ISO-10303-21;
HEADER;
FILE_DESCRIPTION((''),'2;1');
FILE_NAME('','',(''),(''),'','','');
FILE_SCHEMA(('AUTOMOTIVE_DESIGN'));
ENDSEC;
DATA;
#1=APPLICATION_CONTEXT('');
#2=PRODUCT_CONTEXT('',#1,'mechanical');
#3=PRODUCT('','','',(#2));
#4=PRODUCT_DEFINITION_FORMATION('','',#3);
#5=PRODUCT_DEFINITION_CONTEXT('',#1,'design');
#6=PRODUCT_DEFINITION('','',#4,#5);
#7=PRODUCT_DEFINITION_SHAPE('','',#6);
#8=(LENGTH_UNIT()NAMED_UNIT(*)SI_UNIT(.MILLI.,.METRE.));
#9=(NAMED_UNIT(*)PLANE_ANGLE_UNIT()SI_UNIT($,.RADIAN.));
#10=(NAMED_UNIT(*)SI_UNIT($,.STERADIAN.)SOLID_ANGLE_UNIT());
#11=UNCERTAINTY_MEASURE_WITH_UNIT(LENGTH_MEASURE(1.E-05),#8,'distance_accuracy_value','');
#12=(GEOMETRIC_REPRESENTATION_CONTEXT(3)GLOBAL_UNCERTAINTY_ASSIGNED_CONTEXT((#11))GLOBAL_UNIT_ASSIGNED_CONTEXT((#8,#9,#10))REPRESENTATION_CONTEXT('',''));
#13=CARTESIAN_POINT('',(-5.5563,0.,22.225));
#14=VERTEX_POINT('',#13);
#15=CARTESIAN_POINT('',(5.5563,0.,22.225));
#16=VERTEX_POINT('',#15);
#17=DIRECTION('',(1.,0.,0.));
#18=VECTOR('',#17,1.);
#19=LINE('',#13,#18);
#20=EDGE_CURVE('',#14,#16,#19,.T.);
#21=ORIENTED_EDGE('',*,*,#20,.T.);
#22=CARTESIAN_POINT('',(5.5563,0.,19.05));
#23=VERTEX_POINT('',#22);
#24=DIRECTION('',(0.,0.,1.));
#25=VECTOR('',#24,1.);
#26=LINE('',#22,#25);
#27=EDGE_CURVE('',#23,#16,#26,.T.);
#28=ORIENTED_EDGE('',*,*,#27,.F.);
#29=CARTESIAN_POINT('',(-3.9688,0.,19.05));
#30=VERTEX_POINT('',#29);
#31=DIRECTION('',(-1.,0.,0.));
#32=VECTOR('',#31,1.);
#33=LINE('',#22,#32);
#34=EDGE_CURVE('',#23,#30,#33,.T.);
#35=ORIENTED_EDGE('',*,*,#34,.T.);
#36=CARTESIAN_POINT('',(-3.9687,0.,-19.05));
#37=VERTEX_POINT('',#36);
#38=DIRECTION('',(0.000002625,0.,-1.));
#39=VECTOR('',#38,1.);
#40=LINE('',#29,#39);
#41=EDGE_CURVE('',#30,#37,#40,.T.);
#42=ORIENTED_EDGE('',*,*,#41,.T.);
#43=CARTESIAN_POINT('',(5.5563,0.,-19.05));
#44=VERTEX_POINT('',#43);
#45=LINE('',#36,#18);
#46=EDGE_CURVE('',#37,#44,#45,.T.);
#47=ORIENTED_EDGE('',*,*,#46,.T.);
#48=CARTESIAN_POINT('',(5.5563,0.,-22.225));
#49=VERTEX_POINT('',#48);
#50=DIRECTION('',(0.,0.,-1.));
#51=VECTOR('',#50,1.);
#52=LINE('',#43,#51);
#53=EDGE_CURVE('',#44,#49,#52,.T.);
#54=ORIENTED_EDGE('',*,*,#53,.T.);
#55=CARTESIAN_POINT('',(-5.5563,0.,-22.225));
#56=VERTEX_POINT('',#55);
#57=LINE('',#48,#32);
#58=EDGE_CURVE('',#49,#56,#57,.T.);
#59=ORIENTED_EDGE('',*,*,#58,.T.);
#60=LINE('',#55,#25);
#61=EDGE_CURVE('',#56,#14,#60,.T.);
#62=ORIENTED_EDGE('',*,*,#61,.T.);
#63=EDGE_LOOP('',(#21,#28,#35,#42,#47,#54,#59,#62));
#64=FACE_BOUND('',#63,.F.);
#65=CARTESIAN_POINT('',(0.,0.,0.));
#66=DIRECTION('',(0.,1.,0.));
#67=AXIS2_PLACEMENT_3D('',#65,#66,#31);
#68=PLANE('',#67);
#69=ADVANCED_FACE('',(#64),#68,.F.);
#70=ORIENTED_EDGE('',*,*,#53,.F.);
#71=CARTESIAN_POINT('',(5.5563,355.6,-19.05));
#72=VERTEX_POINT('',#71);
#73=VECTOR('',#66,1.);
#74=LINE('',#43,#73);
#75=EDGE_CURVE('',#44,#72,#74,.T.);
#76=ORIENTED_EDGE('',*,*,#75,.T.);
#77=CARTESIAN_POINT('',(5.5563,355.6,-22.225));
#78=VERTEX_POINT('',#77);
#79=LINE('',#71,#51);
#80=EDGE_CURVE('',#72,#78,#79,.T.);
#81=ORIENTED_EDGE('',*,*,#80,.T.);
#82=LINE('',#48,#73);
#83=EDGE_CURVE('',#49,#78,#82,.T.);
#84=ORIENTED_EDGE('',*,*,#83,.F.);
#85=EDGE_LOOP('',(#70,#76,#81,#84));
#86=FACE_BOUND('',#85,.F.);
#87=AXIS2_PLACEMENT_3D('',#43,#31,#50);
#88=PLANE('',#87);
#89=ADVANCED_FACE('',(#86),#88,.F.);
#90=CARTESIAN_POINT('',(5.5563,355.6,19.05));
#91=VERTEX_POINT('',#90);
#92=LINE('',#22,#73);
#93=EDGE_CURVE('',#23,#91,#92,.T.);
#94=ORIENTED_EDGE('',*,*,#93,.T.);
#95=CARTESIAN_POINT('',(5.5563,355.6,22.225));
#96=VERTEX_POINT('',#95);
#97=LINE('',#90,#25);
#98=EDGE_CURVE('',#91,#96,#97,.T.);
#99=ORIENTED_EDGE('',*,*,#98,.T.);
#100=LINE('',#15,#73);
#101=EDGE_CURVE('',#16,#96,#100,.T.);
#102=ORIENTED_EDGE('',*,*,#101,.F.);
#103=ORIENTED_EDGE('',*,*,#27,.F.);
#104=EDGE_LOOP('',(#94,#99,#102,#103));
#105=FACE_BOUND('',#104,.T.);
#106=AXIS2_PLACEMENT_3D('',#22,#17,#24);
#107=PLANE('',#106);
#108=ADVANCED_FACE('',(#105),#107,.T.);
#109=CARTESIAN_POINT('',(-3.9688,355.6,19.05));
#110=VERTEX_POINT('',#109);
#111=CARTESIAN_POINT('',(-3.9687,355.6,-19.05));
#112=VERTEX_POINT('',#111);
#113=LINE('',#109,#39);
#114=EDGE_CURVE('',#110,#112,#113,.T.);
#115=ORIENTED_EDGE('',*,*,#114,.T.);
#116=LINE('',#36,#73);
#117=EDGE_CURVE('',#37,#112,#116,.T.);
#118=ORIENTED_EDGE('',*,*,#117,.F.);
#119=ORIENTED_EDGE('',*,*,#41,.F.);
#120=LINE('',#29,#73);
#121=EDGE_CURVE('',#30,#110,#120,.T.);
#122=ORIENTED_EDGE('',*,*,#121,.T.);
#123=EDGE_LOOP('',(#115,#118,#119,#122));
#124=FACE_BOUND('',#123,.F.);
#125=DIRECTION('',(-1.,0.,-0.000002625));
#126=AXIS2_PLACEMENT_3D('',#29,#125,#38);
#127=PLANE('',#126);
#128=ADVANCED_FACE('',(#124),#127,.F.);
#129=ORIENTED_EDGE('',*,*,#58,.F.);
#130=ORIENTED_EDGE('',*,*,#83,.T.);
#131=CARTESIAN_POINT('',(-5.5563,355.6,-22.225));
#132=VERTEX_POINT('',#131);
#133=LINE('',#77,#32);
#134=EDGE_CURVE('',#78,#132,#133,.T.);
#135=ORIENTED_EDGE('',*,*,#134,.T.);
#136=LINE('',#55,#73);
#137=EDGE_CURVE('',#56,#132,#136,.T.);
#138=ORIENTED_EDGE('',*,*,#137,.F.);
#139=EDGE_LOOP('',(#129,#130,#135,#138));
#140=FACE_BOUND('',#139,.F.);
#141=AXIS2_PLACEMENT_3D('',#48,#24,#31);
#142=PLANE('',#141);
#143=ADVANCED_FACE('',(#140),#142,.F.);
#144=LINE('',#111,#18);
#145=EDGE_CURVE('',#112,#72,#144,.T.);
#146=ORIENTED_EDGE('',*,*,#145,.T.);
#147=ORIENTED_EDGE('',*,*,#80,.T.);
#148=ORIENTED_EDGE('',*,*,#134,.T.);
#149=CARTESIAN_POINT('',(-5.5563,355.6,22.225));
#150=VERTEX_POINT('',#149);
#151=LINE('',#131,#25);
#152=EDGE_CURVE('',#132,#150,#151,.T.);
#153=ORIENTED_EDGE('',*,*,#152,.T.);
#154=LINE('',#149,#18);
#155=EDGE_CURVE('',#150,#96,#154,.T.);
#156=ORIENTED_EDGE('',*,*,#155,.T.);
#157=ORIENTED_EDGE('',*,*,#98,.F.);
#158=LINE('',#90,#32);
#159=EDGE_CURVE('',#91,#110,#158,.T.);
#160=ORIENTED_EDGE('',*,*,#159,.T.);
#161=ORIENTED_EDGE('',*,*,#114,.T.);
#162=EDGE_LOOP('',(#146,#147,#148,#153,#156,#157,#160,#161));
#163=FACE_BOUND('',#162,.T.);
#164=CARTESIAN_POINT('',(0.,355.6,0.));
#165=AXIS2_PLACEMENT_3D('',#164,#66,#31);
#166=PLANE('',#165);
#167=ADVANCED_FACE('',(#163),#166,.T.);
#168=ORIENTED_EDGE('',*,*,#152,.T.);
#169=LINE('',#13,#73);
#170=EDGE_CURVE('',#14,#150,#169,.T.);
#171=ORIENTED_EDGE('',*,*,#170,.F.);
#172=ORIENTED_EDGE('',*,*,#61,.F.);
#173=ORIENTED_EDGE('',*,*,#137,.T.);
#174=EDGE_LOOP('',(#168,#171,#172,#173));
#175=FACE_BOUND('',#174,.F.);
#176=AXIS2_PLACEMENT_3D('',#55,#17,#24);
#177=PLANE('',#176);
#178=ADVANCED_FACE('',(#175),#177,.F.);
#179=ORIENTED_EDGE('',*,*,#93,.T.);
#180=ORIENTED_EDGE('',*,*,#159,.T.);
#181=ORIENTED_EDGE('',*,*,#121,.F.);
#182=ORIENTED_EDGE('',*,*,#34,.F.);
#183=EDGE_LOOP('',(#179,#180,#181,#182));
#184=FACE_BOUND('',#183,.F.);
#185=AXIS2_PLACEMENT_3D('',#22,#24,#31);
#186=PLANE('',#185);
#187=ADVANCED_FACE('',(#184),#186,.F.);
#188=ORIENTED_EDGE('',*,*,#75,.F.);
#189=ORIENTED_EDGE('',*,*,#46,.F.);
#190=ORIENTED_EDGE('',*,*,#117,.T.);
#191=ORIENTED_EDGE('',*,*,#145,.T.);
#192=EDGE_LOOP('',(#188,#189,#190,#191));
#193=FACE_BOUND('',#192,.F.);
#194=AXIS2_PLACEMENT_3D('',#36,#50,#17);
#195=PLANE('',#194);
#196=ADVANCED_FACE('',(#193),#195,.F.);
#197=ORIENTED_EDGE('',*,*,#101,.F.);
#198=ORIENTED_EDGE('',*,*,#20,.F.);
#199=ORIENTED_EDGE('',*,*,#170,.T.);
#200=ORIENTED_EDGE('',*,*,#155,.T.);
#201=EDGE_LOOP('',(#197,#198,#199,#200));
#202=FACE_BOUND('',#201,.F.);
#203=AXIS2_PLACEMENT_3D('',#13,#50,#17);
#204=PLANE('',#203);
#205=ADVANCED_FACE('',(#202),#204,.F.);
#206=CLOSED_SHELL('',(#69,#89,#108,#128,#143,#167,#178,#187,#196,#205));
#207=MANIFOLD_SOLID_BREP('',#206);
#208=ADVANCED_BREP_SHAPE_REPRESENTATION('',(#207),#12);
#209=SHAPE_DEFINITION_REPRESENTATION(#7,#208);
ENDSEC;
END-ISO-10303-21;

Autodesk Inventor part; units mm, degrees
ref_plane "YZ Plane" through (0, 0, 0) normal (1, 0, 0) x (0, 1, 0)
ref_plane "XZ Plane" through (0, 0, 0) normal (0, 1, 0) x (-1, 0, 0)
ref_plane "XY Plane" through (0, 0, 0) normal (0, 0, 1) x (1, 0, 0)
sketch "Sketch2" plane through (0, 0, 0) normal (0, 1, 0) x (-1, 0, 0)
  line L0 (-5.5563, -22.225) -> (5.5563, -22.225)
  line L1 (5.5563, -22.225) -> (5.5563, 22.225)
  line L2 (5.5563, 22.225) -> (-5.5563, 22.225)
  line L3 (-5.5563, -22.225) -> (5.5563, 22.225) construction
  line L4 (5.5563, -22.225) -> (-5.5563, 22.225) construction
  line L5 (-11.1125, -19.05) -> (1.5875, 19.05) construction
  line L6 (1.5875, -19.05) -> (-11.1125, 19.05) construction
  line L7 (-5.5563, 19.05) -> (-5.5563, 22.225)
  line L8 (-5.5563, -19.05) -> (-5.5563, -22.225)
  line L9 (-5.5563, 19.05) -> (3.9688, 19.05)
  line L10 (3.9688, 19.05) -> (3.9687, -19.05)
  line L11 (3.9687, -19.05) -> (-5.5563, -19.05)
  point P0 (0, 0)
  point P1 (-4.7625, 0)
  dimension "d0" = 11.1125
  dimension "d1" = 44.45
  dimension "d6" = 9.525
  dimension "d7" = 90
extrude "Extrusion1" add sketch "Sketch2" along normal blind 355.6
properties part number "14in-slide-pt_1" material "Aluminum 6061"
